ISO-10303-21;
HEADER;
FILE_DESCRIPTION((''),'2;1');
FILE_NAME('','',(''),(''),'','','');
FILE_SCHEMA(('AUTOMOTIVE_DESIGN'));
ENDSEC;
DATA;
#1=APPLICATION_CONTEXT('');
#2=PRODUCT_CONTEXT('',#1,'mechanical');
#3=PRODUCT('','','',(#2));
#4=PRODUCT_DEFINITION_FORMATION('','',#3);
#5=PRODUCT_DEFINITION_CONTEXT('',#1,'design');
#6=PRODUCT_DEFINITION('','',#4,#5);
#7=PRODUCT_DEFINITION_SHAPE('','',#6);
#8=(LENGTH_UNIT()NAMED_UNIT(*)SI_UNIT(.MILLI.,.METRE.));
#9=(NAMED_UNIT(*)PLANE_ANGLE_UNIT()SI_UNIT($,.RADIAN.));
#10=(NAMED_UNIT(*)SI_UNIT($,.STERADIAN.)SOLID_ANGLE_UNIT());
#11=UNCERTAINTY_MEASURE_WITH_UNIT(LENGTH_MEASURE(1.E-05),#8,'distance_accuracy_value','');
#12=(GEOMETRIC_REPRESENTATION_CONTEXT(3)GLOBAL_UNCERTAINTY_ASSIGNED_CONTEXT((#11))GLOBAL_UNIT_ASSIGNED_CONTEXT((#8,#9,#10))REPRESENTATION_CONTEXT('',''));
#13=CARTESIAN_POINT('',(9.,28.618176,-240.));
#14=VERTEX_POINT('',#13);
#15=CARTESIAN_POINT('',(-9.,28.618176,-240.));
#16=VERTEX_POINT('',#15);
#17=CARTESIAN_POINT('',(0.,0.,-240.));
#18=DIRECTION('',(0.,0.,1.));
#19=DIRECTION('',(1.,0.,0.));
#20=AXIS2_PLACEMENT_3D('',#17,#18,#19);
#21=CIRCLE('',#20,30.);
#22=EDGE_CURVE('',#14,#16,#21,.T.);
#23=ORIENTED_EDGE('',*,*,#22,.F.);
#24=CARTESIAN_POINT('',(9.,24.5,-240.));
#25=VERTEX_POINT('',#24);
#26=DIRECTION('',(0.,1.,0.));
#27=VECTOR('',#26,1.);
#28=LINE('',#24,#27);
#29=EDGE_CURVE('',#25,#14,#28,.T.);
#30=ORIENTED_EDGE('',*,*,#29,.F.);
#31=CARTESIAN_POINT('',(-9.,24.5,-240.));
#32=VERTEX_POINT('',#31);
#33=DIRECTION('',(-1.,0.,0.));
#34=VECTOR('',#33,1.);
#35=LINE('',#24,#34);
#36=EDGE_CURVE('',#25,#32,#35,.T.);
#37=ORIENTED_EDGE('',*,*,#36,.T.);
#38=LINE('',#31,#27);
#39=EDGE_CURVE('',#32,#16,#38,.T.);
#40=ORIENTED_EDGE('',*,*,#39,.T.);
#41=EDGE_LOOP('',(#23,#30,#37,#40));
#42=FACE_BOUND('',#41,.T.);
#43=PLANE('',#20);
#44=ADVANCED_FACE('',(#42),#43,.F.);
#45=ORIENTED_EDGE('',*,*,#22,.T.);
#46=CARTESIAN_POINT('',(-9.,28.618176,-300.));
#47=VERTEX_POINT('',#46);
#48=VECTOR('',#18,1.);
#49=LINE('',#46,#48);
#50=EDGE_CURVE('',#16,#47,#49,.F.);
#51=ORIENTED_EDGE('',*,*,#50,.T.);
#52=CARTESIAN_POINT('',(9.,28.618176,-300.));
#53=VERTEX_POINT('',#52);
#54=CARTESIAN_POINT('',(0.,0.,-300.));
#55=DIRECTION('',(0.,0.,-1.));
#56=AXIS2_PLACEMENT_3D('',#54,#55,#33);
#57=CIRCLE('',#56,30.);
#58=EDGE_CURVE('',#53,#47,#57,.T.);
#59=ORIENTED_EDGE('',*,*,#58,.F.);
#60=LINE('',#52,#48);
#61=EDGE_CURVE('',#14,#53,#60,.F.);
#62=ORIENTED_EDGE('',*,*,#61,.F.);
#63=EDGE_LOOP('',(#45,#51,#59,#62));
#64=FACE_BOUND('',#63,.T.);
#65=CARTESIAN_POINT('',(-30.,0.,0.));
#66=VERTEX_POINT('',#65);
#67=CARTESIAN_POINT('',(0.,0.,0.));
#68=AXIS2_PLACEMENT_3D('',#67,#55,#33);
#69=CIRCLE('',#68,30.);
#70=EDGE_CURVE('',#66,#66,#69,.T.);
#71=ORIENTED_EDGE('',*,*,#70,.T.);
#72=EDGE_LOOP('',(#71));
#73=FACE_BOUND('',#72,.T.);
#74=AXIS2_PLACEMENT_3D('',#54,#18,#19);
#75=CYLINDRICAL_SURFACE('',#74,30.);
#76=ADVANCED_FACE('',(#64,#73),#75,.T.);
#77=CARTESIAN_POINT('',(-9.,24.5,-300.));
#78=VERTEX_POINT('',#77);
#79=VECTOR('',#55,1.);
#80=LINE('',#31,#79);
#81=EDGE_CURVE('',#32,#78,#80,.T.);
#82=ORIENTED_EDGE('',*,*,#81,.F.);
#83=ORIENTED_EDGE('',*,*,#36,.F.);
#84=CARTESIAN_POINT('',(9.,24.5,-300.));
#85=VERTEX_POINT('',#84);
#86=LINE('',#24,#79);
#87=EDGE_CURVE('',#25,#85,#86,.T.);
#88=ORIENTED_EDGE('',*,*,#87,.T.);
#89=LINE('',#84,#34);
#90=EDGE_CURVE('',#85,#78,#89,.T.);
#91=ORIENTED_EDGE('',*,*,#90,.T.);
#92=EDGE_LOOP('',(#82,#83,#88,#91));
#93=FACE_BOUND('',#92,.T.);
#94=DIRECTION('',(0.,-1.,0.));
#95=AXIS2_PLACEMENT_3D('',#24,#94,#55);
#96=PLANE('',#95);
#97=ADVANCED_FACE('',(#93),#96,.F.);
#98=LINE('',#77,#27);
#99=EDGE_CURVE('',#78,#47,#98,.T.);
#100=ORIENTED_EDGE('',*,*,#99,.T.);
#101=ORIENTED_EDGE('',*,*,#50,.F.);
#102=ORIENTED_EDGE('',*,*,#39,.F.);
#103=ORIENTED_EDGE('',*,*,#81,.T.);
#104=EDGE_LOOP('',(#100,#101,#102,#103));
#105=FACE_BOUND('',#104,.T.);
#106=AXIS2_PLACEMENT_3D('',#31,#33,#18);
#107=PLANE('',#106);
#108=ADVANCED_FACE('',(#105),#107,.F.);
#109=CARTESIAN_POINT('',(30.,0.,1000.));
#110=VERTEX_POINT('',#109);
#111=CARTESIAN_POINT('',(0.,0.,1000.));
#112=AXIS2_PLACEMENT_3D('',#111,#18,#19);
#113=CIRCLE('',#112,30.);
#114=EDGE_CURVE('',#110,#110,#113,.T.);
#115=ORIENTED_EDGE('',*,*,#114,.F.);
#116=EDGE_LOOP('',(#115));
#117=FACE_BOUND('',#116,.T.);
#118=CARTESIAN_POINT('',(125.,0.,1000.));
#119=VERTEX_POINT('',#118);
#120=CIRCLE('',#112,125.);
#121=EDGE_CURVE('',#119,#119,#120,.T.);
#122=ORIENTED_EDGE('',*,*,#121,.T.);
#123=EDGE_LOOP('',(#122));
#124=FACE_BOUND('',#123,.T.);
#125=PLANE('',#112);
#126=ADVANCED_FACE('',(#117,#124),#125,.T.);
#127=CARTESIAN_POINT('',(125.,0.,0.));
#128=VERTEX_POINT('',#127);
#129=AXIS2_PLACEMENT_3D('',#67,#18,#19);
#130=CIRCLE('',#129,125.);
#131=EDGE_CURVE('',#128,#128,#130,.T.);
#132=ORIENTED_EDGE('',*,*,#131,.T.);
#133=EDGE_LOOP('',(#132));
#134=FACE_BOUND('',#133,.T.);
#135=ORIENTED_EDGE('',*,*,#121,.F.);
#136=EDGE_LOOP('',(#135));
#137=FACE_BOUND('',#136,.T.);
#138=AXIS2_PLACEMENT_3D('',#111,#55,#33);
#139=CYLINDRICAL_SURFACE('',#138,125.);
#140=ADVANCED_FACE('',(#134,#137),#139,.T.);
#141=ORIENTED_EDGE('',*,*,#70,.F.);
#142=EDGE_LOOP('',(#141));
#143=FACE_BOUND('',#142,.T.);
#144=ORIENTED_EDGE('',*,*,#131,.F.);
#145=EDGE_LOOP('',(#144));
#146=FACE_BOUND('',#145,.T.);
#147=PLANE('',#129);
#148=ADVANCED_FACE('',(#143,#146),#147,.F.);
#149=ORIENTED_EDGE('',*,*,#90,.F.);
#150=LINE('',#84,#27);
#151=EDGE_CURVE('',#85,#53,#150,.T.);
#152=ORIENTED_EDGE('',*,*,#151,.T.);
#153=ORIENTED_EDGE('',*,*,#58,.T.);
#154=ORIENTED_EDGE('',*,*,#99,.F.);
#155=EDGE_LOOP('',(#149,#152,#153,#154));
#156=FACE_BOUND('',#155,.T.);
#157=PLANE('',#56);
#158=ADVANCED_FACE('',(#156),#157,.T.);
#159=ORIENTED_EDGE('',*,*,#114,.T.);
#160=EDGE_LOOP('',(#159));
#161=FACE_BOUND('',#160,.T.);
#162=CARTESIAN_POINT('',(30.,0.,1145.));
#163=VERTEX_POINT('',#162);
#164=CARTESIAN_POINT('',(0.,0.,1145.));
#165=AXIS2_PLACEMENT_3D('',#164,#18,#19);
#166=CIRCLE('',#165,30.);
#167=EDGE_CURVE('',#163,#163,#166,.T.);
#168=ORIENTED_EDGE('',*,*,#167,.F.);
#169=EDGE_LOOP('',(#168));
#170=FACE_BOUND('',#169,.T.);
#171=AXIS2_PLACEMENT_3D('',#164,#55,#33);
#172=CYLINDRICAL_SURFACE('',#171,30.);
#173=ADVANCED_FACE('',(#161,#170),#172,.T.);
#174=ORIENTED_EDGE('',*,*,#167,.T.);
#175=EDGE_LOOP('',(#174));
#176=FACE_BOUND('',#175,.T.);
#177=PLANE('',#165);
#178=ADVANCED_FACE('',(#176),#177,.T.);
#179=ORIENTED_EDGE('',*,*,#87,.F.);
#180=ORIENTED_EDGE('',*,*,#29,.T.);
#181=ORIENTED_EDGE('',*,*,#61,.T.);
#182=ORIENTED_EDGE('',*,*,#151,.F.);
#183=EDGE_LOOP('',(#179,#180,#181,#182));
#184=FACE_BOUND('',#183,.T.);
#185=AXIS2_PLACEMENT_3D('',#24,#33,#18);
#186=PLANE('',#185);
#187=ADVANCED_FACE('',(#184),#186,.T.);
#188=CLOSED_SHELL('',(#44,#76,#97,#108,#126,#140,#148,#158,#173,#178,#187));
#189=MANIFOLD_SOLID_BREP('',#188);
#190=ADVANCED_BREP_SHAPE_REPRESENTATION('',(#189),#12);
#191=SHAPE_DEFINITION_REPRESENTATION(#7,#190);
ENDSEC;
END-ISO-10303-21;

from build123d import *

# Parameters (mm, degrees)
SKETCH2_R           = 125
BOSS_EXTRUDE1_DEPTH = 1000
SKETCH7_R           = 30
BOSS_EXTRUDE3_DEPTH = 145
BOSS_EXTRUDE4_START = 300
SKETCH8_R           = 30
BOSS_EXTRUDE4_DEPTH = 300
SKETCH9_W           = 18
SKETCH9_H           = 11
CUT_EXTRUDE1_DEPTH  = 60


with BuildPart() as part:
    # Sketch2 → Boss-Extrude1 (new body)
    with BuildSketch(Plane.XY):
        Circle(SKETCH2_R)
    extrude(amount=BOSS_EXTRUDE1_DEPTH)

    # Sketch7 → Boss-Extrude3 (add)
    with BuildSketch(Plane.XY.offset(1000)):
        Circle(SKETCH7_R)
    extrude(amount=BOSS_EXTRUDE3_DEPTH)

    # Sketch8 → Boss-Extrude4 (add)
    with BuildSketch(Plane(origin=(0, 0, 0), x_dir=(-1, 0, 0), z_dir=(0, 0, -1)).offset(BOSS_EXTRUDE4_START)):
        with Locations(Location((0, 0, 0), (0, 0, 180))):
            Circle(SKETCH8_R)
    extrude(amount=-BOSS_EXTRUDE4_DEPTH)

    # Sketch9 → Cut-Extrude1 (cut)
    with BuildSketch(Plane(origin=(0, 0, -300), x_dir=(-1, 0, 0), z_dir=(0, 0, -1))):
        with Locations((0, 30)):
            Rectangle(SKETCH9_W, SKETCH9_H)
    extrude(amount=-CUT_EXTRUDE1_DEPTH, mode=Mode.SUBTRACT)


solid = part.part
